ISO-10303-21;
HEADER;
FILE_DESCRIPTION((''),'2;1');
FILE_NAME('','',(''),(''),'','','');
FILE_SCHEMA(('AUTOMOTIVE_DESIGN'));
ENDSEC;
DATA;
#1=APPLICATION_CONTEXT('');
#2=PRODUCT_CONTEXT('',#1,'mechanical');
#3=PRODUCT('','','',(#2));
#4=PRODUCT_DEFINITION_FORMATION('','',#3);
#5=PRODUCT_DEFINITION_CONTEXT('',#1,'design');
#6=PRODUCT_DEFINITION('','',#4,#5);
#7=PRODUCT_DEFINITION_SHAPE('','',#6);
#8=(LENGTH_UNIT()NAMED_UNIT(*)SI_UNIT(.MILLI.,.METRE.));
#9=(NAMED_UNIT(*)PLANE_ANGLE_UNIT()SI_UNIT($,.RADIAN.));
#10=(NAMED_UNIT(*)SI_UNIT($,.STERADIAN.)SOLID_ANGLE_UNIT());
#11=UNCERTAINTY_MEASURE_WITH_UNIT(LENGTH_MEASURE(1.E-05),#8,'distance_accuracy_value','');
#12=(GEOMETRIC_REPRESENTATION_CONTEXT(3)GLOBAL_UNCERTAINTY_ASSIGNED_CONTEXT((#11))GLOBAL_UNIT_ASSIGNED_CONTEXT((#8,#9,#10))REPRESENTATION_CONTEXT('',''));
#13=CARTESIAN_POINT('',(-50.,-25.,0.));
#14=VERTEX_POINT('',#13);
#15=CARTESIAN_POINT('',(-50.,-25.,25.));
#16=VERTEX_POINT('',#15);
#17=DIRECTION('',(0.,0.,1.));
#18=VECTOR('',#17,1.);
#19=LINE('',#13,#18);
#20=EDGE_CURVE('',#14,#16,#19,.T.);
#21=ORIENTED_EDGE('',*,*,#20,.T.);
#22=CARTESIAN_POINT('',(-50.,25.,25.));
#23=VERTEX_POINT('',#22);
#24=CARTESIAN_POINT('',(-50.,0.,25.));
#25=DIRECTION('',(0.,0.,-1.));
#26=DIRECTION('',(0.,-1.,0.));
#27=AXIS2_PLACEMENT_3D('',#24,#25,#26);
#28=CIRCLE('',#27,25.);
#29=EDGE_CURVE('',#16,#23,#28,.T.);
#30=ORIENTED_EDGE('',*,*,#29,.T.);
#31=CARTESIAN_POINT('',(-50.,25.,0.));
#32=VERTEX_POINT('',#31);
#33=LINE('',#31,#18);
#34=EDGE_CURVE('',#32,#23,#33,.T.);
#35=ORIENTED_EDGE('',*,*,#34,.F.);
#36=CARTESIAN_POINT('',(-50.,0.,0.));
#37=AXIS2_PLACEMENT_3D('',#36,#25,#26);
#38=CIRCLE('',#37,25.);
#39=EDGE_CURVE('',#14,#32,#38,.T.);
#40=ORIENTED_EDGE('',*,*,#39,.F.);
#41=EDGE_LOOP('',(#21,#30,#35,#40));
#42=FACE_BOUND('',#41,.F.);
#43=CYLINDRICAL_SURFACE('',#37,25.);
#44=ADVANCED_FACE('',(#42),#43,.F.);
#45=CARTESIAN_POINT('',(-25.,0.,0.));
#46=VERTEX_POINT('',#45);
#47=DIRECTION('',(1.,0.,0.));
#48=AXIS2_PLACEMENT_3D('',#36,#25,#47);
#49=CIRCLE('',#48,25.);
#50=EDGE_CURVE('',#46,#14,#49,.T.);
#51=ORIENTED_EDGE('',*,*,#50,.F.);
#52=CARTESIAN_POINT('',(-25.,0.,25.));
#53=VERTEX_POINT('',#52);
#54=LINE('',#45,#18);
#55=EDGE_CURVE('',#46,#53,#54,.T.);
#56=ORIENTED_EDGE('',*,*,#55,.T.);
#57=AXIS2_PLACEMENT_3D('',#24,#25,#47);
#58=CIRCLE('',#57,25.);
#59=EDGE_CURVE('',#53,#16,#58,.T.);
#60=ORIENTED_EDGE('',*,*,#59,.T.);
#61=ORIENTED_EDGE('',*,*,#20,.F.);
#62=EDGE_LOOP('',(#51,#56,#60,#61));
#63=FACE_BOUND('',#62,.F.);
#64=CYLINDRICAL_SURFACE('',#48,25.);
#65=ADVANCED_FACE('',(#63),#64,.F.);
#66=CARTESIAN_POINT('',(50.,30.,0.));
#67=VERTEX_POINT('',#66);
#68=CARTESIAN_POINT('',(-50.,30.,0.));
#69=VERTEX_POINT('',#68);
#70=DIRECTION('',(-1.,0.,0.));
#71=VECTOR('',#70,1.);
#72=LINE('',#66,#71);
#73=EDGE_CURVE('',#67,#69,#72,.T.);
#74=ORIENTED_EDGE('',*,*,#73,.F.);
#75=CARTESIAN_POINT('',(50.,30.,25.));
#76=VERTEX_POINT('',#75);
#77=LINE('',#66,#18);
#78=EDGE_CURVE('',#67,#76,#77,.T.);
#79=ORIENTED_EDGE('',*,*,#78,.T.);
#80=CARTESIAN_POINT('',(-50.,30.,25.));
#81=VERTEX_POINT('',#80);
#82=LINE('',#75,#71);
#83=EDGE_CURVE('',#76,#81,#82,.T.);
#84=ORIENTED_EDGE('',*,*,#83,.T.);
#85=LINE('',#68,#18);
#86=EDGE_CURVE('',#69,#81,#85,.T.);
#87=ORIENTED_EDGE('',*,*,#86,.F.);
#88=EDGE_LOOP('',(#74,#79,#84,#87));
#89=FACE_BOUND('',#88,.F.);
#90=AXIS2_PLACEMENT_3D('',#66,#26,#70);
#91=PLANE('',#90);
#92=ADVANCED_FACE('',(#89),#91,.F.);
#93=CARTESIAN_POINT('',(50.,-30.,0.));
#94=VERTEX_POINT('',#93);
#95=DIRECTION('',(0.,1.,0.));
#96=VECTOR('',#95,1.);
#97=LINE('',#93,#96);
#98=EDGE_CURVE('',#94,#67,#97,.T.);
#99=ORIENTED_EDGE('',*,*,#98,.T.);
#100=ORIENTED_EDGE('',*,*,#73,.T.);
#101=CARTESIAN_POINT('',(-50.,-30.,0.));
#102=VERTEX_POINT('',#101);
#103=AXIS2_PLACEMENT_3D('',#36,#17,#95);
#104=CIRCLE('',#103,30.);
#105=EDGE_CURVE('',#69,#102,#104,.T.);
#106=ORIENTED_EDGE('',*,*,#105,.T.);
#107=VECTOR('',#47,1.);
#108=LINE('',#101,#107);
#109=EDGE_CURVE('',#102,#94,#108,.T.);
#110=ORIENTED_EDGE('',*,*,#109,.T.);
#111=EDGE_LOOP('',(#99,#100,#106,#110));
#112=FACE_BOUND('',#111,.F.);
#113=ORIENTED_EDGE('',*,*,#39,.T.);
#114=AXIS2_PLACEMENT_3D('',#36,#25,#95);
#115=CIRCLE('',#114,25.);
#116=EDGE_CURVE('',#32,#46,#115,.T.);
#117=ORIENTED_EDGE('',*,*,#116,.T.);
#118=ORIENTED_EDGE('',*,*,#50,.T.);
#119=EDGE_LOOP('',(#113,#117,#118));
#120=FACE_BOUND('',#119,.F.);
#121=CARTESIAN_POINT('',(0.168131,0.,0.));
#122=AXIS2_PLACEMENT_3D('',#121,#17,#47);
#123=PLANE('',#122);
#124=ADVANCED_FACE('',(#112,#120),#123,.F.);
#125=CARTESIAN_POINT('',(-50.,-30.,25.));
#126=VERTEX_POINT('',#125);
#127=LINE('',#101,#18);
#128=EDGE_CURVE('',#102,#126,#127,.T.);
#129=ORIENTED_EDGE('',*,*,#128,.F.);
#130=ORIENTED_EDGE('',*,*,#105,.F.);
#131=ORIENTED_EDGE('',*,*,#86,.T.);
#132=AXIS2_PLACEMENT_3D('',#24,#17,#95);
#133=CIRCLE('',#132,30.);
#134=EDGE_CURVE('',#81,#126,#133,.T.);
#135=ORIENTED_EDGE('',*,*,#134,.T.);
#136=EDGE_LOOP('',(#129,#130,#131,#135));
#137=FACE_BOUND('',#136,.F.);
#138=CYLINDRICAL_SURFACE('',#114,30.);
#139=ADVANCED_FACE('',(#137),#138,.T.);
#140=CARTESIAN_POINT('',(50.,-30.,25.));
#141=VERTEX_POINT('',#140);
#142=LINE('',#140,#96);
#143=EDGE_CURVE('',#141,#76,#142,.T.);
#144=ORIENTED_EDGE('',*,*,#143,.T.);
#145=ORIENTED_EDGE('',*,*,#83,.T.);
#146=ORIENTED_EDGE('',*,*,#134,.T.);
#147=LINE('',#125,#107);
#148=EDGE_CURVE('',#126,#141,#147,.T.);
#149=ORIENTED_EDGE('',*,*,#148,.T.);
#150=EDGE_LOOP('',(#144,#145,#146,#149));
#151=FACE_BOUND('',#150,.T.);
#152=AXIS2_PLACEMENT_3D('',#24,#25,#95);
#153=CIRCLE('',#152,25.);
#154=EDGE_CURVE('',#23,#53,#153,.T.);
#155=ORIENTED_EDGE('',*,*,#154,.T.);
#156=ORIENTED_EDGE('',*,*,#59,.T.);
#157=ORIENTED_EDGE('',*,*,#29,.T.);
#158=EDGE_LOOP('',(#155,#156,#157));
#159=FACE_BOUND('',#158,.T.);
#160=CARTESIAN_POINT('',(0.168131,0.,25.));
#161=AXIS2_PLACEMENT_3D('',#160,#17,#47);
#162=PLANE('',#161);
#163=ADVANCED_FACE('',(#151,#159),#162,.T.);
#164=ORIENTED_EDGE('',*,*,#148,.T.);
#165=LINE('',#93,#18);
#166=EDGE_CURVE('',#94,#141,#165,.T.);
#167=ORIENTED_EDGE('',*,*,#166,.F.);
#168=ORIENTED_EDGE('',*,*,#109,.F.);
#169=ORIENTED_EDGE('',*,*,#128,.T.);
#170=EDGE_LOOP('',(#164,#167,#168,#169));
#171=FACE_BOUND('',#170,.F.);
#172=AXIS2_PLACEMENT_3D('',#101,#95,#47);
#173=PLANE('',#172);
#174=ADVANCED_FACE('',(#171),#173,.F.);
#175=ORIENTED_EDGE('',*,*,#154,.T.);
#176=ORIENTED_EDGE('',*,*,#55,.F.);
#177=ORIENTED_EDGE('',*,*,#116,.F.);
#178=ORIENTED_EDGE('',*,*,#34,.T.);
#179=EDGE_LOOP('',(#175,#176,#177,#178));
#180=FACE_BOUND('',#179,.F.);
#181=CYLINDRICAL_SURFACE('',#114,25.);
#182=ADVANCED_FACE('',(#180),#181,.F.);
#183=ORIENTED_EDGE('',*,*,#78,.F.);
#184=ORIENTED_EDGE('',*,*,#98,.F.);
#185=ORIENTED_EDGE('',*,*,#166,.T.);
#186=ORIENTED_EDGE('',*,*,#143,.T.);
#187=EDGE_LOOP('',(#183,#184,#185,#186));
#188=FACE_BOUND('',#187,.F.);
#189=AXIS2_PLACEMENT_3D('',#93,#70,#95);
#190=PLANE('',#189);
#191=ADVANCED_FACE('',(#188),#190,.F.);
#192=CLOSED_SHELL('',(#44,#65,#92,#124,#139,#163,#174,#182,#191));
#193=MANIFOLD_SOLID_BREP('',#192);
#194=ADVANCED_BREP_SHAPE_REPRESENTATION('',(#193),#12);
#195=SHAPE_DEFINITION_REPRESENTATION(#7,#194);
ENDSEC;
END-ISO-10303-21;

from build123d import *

# Parameters (mm, degrees)
F1_DEPTH = 25


with BuildPart() as f1:
    # F0 (on Top) → F1 (new body)
    with BuildSketch(Plane.XY):
        with BuildLine():
            Line((-50, -30), (50, -30))
            Line((50, -30), (50, 30))
            Line((50, 30), (-50, 30))
            ThreePointArc((-50, 30), (-28.7867965644, 21.2132034356), (-20, 0))
            ThreePointArc((-20, 0), (-28.7867965644, -21.2132034356), (-50, -30))
        make_face()
        with BuildLine():
            ThreePointArc((-50, 30), (-80, 0), (-50, -30))
            Line((-50, -30), (-50, -25))
            ThreePointArc((-50, -25), (-75, 0), (-50, 25))
            Line((-50, 25), (-50, 30))
        make_face()
        with BuildLine():
            Line((-50, -25), (-50, -30))
            ThreePointArc((-50, -30), (-28.7867965644, -21.2132034356), (-20, 0))
            ThreePointArc((-20, 0), (-28.7867965644, 21.2132034356), (-50, 30))
            Line((-50, 30), (-50, 25))
            ThreePointArc((-50, 25), (-32.3223304703, 17.6776695297), (-25, 0))
            ThreePointArc((-25, 0), (-32.3223304703, -17.6776695297), (-50, -25))
        make_face()
    extrude(amount=F1_DEPTH)


solid = f1.part
